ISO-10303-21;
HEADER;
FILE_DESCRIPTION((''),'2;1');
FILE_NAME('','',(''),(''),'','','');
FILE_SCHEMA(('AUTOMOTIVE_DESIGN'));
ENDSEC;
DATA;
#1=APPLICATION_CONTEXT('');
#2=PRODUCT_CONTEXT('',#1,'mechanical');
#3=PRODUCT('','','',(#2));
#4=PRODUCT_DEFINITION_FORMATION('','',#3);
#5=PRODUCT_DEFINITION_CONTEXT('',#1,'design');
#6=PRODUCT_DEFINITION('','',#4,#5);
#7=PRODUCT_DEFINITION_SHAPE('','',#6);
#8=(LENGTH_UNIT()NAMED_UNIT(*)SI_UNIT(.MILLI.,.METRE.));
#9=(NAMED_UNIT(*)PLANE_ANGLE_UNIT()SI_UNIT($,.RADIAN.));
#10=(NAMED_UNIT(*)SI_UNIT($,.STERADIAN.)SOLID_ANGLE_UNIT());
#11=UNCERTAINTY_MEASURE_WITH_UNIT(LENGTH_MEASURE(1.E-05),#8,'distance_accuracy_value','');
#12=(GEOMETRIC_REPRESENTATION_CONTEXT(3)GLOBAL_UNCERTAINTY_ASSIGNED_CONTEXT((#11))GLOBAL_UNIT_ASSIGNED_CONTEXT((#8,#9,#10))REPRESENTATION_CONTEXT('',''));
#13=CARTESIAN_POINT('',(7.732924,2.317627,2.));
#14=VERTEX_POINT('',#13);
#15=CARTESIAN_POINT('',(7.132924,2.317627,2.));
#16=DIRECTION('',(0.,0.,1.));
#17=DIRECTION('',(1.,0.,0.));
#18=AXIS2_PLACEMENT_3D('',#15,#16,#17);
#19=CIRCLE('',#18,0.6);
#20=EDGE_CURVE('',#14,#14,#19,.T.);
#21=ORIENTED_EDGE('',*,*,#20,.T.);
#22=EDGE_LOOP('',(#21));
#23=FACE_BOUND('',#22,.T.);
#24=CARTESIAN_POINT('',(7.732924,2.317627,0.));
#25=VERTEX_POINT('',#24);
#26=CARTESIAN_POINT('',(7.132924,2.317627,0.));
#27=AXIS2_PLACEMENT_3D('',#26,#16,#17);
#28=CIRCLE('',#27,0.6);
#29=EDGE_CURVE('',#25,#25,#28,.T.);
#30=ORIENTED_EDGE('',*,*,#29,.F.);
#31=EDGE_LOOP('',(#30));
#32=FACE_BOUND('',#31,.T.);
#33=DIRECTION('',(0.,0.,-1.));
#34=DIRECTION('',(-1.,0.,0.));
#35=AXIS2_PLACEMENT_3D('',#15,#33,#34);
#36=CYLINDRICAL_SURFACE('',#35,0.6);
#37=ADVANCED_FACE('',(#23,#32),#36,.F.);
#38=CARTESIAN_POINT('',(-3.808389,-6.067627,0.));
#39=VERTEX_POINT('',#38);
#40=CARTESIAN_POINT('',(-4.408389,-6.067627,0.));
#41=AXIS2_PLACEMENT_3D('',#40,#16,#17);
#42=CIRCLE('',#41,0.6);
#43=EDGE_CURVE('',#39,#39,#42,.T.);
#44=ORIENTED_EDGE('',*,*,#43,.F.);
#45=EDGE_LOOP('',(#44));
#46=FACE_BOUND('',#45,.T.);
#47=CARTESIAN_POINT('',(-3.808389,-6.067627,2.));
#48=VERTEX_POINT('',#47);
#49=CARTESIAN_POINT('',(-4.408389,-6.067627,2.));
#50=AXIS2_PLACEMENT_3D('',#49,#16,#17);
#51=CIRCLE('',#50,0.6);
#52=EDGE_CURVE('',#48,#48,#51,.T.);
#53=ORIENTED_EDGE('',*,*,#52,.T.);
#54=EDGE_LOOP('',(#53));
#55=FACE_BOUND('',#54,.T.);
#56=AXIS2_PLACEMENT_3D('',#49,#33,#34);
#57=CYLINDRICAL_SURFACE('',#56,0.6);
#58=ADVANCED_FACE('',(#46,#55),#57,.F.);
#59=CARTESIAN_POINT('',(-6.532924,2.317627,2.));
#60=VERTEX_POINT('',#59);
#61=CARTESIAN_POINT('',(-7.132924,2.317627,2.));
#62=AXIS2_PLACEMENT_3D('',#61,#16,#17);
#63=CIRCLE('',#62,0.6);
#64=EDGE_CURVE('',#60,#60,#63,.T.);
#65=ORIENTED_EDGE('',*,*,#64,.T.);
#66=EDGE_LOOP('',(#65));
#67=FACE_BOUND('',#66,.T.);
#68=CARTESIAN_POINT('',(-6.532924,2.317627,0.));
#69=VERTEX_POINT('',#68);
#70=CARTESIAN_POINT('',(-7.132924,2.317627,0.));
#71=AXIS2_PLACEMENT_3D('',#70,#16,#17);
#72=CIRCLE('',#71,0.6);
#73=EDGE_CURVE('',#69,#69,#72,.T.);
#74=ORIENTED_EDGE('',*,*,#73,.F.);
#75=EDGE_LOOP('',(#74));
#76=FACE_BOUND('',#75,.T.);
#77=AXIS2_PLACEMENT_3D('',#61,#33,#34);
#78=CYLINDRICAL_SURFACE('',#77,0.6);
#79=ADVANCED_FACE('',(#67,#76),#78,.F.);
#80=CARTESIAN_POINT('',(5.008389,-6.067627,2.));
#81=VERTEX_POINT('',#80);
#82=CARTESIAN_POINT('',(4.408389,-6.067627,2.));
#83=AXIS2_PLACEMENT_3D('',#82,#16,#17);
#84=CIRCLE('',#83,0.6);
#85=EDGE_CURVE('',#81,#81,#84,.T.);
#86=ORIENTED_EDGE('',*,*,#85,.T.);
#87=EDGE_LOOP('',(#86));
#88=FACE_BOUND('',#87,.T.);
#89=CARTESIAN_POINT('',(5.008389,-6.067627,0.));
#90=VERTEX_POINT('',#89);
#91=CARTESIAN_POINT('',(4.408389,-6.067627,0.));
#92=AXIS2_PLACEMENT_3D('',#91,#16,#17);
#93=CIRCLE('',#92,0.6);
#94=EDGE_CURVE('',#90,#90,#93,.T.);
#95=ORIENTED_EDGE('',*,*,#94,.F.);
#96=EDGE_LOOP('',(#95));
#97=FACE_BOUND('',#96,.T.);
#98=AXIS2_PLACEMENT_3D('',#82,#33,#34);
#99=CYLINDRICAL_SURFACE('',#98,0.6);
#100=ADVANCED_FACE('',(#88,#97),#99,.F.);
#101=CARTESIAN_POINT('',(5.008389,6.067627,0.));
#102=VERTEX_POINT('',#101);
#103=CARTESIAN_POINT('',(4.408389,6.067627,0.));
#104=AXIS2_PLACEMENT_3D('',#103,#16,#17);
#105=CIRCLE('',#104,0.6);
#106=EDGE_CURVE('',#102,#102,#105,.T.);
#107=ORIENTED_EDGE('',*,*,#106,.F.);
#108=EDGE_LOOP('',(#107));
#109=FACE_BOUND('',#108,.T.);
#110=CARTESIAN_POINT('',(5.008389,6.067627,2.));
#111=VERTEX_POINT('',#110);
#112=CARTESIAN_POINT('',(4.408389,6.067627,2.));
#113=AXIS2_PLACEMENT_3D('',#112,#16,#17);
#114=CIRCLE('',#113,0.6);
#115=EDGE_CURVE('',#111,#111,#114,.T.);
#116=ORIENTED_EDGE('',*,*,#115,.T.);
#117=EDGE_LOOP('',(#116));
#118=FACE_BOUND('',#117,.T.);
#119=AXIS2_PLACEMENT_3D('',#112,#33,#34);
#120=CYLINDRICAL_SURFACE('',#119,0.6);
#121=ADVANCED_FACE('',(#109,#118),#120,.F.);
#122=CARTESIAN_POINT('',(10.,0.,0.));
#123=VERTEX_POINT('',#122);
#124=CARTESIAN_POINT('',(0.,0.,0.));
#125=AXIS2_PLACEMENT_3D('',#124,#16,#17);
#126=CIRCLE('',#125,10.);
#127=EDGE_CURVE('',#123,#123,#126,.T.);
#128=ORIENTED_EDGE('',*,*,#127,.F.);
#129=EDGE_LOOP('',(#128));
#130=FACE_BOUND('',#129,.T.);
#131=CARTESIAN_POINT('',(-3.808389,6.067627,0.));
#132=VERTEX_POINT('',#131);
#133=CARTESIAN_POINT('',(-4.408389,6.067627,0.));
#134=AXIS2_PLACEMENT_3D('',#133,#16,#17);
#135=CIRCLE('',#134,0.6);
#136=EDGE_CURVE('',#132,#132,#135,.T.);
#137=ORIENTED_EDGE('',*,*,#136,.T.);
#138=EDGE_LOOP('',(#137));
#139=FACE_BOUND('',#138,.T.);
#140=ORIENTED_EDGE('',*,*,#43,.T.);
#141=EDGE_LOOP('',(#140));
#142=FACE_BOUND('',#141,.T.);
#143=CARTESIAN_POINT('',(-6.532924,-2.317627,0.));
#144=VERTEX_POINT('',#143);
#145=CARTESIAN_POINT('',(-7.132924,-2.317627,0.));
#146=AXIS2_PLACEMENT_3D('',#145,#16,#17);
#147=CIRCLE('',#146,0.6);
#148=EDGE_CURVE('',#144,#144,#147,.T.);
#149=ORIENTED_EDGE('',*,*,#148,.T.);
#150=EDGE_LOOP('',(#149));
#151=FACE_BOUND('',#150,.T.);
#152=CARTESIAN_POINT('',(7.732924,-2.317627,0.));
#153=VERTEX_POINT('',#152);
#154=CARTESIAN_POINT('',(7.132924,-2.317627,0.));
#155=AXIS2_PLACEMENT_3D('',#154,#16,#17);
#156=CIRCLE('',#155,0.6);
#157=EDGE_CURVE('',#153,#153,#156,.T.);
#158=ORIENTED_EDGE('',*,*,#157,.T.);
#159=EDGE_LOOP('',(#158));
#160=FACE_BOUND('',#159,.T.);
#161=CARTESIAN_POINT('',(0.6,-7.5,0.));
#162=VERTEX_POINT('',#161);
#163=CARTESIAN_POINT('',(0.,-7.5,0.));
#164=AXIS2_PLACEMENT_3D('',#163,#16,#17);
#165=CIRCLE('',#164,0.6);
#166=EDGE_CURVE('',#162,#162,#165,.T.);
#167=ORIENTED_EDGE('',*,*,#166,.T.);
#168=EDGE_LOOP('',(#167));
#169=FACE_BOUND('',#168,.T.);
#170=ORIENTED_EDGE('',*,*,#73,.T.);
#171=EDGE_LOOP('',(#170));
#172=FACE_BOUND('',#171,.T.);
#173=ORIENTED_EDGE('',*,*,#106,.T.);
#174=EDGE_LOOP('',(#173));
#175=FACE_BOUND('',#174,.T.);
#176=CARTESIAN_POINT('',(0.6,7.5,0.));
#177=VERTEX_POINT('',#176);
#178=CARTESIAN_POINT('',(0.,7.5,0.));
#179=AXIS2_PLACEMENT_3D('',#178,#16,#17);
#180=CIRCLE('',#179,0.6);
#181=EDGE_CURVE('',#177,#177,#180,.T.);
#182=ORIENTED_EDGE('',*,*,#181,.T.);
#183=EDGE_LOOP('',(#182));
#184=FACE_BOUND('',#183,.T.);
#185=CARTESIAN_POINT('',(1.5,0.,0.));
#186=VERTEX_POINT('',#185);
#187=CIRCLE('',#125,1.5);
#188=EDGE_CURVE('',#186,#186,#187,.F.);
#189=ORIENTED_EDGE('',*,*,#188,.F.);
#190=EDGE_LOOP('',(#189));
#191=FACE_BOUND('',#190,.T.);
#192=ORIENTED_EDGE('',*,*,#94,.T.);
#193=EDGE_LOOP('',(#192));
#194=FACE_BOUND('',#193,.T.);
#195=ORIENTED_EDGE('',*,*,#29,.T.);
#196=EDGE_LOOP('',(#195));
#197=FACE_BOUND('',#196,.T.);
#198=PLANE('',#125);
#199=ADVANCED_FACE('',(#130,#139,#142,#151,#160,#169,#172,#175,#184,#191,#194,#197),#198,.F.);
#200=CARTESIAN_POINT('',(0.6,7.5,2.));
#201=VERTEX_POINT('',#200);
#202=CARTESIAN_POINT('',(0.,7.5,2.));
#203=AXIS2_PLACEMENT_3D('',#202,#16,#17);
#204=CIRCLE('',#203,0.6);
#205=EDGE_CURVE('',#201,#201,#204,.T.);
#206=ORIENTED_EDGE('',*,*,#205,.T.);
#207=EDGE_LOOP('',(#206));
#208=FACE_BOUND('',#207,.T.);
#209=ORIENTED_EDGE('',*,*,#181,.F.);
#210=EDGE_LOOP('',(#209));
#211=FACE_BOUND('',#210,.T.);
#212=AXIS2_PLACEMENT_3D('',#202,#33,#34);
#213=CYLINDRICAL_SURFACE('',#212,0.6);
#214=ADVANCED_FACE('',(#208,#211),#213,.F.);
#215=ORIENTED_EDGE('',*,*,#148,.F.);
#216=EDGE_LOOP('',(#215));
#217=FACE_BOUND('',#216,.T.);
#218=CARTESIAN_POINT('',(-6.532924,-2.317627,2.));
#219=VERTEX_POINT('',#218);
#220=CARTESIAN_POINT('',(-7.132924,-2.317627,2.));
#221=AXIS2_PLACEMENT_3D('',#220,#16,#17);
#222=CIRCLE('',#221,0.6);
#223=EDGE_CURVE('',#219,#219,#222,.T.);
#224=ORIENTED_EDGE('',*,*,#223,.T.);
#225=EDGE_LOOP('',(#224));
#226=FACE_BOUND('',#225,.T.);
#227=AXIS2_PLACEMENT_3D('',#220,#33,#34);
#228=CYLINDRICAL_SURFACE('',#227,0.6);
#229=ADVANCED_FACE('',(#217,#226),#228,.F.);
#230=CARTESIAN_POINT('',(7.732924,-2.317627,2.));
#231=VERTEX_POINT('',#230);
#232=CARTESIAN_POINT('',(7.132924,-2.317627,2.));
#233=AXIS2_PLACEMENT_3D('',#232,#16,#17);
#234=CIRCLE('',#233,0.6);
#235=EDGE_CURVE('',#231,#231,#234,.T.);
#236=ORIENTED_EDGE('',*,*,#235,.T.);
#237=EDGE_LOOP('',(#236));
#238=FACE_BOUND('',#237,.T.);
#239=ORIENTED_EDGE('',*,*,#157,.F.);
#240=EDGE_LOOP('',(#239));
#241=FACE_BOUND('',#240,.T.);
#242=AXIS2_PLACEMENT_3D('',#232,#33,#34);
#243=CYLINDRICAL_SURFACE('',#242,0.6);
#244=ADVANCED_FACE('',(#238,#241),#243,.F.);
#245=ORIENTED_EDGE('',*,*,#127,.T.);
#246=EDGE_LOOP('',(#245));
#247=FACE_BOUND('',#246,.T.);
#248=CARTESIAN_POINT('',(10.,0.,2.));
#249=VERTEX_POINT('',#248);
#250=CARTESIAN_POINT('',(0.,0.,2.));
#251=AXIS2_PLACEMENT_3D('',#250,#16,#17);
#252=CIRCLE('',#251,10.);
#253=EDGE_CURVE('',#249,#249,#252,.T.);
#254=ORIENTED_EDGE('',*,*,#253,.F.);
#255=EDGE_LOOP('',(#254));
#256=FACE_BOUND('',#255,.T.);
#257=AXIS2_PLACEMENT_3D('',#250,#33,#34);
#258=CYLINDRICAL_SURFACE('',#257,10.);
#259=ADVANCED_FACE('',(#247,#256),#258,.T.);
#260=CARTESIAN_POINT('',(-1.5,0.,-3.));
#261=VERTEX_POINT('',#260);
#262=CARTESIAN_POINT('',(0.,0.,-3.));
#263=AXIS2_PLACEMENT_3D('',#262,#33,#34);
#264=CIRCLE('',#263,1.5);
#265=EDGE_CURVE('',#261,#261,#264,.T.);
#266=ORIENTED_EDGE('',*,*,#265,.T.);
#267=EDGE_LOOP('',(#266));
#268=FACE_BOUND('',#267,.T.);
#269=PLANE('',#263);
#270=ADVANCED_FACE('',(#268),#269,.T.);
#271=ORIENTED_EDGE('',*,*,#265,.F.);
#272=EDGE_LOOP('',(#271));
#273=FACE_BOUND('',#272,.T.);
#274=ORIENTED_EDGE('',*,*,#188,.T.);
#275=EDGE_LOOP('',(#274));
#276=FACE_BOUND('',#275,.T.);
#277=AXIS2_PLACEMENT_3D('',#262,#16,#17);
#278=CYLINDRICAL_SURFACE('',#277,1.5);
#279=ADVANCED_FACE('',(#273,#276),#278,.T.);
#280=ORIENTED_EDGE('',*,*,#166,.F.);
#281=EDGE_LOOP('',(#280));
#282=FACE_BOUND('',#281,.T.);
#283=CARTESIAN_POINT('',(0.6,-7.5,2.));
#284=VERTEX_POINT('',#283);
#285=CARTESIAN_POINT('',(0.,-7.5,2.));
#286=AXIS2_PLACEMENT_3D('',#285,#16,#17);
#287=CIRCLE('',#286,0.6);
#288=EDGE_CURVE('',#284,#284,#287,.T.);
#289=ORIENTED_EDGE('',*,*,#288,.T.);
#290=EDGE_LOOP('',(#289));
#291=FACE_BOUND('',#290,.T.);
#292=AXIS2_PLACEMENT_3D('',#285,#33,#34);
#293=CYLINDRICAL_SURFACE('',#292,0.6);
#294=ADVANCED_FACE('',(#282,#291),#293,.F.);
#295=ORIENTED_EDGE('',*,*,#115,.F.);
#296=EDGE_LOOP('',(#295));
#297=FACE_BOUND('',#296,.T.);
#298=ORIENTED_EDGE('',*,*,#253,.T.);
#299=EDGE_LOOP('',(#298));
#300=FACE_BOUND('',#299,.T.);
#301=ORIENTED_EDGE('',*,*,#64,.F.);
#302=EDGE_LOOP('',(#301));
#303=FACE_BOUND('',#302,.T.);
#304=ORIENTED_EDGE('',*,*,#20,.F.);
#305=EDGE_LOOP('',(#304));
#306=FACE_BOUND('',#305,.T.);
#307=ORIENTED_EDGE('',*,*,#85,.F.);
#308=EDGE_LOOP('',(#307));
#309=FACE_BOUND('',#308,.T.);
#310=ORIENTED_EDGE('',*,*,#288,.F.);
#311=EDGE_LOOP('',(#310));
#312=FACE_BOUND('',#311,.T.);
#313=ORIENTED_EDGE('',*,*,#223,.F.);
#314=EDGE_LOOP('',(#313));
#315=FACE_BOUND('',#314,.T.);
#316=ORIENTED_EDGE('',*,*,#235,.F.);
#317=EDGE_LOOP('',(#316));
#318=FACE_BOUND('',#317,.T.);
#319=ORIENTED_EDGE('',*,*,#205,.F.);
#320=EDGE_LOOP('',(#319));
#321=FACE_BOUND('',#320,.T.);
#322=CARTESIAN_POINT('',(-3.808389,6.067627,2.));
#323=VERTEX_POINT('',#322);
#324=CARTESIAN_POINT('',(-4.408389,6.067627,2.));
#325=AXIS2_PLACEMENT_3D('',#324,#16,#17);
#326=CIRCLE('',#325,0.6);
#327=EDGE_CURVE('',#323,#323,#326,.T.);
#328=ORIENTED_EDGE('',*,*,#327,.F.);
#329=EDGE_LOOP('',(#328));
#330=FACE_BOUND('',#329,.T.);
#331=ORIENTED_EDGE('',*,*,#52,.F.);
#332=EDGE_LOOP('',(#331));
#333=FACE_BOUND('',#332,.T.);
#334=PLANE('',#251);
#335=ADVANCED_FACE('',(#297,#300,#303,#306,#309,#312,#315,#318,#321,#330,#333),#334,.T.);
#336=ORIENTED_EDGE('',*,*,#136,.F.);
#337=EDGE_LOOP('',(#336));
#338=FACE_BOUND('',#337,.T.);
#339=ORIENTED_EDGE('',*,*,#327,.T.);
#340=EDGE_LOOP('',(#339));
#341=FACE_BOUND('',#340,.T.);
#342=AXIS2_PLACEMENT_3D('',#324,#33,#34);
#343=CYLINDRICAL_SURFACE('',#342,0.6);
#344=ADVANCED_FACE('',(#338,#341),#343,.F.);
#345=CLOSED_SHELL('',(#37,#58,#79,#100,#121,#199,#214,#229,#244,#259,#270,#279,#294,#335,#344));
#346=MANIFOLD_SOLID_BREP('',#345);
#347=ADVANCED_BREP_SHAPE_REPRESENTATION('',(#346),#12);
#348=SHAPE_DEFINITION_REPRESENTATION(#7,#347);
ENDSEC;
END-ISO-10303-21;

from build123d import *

# Parameters (mm, degrees)
SKETCH_1_R      = 10
SKETCH_1_R_2    = 0.6
EXTRUDE_1_DEPTH = 2
SKETCH_2_R      = 1.5
EXTRUDE_2_DEPTH = 3


with BuildPart() as part:
    # 草圖1 → 填料-伸長1 (new body)
    with BuildSketch(Plane.XY):
        Circle(SKETCH_1_R)
        with Locations((4.408389392, 6.067627458)):
            Circle(SKETCH_1_R_2, mode=Mode.SUBTRACT)
        with Locations((0, 7.5)):
            Circle(SKETCH_1_R_2, mode=Mode.SUBTRACT)
        with Locations((7.132923872, 2.317627458)):
            Circle(SKETCH_1_R_2, mode=Mode.SUBTRACT)
        with Locations((7.132923872, -2.317627458)):
            Circle(SKETCH_1_R_2, mode=Mode.SUBTRACT)
        with Locations((4.408389392, -6.067627458)):
            Circle(SKETCH_1_R_2, mode=Mode.SUBTRACT)
        with Locations((0, -7.5)):
            Circle(SKETCH_1_R_2, mode=Mode.SUBTRACT)
        with Locations((-4.408389392, -6.067627458)):
            Circle(SKETCH_1_R_2, mode=Mode.SUBTRACT)
        with Locations((-7.132923872, -2.317627458)):
            Circle(SKETCH_1_R_2, mode=Mode.SUBTRACT)
        with Locations((-7.132923872, 2.317627458)):
            Circle(SKETCH_1_R_2, mode=Mode.SUBTRACT)
        with Locations((-4.408389392, 6.067627458)):
            Circle(SKETCH_1_R_2, mode=Mode.SUBTRACT)
    extrude(amount=EXTRUDE_1_DEPTH)

    # 草圖2 → 填料-伸長2 (add)
    with BuildSketch(Plane(origin=(0, 0, 0), x_dir=(-1, 0, 0), z_dir=(0, 0, -1))):
        with Locations(Location((0, 0, 0), (0, 0, 180))):
            Circle(SKETCH_2_R)
    extrude(amount=EXTRUDE_2_DEPTH)


solid = part.part
